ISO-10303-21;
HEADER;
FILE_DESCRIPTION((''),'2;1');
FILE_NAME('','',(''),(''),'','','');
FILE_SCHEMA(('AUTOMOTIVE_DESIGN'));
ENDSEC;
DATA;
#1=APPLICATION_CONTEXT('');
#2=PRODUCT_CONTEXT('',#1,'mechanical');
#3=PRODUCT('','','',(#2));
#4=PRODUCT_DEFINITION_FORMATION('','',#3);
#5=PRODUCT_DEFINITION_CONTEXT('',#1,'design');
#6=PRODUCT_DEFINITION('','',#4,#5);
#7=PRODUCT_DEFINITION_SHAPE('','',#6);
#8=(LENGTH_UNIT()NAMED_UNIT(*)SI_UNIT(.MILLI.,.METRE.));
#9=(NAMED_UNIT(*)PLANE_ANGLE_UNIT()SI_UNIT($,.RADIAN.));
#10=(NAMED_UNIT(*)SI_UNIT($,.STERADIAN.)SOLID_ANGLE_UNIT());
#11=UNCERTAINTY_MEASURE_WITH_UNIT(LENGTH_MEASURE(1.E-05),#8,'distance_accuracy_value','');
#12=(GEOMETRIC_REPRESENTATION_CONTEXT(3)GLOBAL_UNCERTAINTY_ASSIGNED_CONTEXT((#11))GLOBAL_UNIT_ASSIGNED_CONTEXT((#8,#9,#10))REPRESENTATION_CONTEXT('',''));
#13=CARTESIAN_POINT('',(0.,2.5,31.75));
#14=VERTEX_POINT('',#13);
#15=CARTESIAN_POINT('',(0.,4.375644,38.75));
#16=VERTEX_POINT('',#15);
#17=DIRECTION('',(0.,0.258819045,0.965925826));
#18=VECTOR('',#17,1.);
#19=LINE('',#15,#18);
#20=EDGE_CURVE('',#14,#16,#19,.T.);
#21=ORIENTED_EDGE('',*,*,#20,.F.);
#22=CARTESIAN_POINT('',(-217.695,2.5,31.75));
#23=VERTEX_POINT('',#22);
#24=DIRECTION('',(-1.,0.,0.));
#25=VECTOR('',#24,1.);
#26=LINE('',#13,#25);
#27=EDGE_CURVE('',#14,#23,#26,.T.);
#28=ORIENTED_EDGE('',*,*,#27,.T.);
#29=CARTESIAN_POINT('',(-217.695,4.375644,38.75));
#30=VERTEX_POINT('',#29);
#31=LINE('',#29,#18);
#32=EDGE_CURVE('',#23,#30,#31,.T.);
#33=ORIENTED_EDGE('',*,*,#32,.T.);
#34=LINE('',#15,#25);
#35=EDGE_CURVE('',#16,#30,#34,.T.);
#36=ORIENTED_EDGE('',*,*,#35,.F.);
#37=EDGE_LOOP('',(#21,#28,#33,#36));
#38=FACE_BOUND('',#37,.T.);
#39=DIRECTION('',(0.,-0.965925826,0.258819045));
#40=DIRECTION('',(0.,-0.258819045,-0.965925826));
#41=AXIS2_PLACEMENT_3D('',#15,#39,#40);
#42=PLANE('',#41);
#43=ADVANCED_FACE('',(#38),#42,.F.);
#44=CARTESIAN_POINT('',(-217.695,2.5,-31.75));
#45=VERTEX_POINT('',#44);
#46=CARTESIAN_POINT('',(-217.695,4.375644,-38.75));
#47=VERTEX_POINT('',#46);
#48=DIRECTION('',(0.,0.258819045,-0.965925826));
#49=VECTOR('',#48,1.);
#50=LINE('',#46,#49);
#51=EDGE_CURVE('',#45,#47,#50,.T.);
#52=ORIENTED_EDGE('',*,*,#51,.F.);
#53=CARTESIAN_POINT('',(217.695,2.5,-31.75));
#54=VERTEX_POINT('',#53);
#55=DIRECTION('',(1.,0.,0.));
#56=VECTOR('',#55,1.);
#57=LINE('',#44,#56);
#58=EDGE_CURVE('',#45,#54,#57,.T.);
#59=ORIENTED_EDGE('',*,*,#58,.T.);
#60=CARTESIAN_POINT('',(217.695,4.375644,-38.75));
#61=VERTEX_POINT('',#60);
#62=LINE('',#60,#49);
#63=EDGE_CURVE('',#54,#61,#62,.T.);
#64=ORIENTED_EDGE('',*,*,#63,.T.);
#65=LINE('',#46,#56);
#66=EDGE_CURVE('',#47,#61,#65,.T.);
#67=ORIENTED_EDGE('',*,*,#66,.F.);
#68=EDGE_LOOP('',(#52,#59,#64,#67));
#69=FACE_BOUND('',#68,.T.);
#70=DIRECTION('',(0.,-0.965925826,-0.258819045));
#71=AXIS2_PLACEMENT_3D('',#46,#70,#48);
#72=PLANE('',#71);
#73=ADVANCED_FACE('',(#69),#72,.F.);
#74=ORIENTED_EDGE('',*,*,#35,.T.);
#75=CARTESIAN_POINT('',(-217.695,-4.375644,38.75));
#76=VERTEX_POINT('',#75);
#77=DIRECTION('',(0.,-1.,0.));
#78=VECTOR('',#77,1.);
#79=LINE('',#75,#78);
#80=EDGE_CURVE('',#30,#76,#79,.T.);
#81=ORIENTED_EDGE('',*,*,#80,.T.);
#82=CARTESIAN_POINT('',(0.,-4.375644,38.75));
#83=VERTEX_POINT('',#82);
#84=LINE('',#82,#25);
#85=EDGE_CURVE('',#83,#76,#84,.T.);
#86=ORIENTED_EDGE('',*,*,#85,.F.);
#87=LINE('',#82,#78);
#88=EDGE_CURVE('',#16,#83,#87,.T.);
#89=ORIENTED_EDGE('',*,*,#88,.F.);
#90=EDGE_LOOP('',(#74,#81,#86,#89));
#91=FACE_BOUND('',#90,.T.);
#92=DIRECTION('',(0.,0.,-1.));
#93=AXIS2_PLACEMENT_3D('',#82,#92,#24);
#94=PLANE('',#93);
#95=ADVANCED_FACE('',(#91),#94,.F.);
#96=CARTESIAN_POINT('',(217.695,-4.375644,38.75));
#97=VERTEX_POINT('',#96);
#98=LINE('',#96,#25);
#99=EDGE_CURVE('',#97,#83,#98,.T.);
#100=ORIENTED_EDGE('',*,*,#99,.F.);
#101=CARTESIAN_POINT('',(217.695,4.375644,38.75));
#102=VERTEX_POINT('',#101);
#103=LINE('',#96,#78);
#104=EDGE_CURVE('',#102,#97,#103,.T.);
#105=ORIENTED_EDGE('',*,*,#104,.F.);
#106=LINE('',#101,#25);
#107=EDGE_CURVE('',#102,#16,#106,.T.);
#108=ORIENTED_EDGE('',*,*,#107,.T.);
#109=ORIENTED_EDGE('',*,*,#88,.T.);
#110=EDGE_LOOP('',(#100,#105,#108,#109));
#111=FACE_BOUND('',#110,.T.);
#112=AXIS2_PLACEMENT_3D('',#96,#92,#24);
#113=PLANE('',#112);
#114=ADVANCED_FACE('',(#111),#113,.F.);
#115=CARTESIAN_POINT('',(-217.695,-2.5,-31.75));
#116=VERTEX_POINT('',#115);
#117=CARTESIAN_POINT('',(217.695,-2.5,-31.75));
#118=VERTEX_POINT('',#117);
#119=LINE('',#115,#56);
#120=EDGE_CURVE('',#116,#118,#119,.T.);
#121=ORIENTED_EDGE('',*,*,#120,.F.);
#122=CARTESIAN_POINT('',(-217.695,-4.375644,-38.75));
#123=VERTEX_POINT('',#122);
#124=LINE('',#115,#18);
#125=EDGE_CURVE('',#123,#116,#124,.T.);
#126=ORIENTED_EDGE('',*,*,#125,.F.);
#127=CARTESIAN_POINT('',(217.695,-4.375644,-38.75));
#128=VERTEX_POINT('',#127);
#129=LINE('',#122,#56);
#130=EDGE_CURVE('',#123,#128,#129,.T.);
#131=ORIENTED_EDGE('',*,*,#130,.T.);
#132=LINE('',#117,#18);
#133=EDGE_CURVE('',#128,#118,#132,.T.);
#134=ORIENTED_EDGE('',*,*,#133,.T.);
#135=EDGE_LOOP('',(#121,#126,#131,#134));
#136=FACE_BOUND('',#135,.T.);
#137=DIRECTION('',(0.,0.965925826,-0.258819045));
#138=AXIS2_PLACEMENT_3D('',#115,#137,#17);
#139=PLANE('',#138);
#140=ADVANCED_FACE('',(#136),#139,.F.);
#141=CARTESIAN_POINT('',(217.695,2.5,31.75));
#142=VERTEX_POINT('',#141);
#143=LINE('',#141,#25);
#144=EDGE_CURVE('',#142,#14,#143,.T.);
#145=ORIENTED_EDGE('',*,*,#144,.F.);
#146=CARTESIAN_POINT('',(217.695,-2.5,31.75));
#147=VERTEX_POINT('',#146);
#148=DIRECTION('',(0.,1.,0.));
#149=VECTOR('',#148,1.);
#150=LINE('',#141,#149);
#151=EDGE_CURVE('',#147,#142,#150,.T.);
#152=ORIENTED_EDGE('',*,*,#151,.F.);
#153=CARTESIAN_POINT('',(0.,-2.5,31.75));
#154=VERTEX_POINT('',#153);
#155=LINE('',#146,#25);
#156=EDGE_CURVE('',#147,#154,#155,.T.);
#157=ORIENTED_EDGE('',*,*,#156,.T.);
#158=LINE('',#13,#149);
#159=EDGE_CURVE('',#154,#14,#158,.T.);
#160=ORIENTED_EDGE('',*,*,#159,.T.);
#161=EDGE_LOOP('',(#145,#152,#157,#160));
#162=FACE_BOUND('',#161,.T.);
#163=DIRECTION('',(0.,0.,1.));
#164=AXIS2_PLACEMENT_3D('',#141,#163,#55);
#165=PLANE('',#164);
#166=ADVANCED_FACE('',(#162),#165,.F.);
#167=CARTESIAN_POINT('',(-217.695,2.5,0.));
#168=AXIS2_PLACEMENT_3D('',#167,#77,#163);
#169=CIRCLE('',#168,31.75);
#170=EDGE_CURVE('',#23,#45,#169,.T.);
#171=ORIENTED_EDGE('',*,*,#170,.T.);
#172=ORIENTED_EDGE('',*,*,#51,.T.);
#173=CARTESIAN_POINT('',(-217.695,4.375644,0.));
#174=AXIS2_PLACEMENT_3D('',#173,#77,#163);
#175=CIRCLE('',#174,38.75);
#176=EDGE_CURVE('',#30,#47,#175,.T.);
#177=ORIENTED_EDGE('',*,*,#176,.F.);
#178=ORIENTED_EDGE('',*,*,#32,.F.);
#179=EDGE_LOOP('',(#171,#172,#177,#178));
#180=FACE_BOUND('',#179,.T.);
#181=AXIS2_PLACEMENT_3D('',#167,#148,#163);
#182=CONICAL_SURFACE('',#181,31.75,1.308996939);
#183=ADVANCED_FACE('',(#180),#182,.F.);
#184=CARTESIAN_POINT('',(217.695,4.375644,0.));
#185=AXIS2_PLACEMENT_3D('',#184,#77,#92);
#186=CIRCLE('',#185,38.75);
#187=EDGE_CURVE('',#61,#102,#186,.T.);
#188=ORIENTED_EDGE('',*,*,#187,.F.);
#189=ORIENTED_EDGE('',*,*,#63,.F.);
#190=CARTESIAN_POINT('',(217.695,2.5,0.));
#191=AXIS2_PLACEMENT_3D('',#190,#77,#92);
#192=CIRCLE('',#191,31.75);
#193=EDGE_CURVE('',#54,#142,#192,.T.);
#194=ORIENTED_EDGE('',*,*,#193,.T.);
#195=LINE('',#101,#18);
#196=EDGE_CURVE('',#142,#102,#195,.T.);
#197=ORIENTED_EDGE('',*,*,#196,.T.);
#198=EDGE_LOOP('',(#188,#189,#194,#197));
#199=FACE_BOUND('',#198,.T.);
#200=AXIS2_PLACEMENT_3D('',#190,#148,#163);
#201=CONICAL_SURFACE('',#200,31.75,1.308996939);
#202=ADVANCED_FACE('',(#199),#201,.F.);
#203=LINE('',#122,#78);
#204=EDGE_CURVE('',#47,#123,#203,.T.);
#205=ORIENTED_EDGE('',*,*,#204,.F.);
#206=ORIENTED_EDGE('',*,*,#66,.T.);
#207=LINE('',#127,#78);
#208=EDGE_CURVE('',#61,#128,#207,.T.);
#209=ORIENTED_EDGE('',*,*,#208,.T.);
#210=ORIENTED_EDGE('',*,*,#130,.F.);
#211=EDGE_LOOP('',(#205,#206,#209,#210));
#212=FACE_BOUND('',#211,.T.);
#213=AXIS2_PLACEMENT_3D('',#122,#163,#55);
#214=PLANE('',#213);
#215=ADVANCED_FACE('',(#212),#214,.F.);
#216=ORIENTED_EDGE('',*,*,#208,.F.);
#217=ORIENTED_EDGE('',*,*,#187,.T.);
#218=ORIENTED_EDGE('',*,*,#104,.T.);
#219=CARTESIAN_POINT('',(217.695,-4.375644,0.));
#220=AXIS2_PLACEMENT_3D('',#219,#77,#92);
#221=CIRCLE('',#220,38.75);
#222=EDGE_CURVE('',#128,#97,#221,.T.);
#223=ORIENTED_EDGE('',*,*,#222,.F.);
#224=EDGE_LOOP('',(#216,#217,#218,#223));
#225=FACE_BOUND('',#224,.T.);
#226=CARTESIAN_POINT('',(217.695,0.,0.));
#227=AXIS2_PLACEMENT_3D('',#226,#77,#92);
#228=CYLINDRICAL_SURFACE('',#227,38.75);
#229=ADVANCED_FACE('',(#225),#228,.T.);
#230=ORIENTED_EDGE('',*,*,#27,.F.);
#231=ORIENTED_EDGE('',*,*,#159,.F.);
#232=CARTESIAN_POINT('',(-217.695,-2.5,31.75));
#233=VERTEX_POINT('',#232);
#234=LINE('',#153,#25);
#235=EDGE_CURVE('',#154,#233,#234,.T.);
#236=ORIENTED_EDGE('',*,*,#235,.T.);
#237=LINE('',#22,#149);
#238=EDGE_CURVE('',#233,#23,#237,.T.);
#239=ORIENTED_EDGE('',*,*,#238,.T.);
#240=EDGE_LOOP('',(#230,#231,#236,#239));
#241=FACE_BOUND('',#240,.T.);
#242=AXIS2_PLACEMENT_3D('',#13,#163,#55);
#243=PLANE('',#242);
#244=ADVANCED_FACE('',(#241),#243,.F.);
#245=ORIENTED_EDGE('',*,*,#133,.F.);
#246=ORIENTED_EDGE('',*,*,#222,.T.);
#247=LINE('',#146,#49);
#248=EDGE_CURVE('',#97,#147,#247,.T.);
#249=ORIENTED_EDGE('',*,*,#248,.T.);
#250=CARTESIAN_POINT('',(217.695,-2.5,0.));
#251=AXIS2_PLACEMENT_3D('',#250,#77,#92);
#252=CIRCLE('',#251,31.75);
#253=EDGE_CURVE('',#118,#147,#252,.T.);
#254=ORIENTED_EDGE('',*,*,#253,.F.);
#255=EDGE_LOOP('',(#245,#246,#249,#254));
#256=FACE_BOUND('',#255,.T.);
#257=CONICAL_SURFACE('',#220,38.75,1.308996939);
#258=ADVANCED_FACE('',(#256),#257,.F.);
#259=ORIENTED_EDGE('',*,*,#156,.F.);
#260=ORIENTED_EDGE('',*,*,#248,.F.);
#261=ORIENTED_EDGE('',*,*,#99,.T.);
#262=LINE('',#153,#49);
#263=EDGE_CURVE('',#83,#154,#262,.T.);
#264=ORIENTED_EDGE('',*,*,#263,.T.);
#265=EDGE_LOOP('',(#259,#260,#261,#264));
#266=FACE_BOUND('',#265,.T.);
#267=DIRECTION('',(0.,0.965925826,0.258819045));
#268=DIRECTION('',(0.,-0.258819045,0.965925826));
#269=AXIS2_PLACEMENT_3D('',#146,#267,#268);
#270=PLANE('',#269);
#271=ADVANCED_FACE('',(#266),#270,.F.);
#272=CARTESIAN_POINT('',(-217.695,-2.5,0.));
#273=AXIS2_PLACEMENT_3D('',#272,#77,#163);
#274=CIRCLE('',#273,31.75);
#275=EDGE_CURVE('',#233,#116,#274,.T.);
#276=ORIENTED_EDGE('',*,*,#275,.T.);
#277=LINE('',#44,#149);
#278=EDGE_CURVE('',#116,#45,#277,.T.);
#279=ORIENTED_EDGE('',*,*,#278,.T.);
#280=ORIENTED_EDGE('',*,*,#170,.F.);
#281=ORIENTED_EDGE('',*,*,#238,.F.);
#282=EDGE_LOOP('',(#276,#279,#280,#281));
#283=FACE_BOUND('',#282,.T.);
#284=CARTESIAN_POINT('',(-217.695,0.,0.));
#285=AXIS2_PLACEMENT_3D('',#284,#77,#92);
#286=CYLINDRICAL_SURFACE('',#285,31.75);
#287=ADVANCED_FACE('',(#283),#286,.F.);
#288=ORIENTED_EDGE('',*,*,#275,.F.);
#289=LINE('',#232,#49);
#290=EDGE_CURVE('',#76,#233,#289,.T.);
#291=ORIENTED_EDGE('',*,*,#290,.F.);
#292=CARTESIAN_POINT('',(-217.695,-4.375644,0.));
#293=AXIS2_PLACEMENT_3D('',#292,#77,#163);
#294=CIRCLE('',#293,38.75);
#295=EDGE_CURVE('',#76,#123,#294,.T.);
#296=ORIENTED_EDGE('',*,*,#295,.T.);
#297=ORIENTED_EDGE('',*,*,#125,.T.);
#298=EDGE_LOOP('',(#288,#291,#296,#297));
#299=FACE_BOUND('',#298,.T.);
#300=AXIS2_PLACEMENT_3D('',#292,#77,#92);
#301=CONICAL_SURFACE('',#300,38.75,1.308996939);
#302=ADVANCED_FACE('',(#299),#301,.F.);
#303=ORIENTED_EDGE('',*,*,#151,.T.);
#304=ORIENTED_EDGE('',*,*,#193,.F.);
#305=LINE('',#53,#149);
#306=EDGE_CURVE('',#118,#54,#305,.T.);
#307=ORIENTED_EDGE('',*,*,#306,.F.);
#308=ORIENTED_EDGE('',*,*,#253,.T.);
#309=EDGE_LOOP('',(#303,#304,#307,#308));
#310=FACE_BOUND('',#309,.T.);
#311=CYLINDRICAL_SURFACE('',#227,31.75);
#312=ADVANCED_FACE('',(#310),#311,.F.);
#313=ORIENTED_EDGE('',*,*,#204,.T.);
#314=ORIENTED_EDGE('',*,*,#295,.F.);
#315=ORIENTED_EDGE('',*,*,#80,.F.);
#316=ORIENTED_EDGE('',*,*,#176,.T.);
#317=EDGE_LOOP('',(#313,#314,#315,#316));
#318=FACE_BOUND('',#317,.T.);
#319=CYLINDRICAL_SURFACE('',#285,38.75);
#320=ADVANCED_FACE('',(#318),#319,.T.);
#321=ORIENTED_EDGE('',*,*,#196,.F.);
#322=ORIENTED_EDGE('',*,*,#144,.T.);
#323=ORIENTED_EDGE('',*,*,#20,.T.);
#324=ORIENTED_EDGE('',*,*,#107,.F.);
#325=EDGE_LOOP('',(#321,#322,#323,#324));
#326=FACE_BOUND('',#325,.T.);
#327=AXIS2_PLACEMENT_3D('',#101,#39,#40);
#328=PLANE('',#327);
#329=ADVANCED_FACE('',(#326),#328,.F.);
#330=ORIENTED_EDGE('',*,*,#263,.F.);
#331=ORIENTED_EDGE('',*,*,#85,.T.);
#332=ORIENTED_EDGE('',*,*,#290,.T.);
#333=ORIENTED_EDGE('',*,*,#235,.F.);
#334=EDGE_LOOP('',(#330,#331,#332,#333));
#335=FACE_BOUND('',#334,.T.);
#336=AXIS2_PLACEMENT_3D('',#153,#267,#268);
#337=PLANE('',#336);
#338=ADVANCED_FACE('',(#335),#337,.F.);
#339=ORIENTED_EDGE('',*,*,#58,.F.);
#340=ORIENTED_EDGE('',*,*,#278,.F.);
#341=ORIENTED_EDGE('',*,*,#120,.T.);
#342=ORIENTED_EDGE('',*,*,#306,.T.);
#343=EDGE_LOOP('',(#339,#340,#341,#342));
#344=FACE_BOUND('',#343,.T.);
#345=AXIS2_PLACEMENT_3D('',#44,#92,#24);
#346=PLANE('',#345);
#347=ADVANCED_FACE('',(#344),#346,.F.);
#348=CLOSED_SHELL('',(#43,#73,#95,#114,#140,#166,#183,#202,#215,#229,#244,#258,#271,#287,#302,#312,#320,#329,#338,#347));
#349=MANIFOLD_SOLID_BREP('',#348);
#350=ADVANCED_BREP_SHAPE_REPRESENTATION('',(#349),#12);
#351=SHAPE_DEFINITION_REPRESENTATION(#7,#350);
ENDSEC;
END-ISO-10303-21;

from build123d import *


with BuildPart() as part:
    # Sweep1: sweep along a path in Sketch1
    with BuildLine(Plane(origin=(0, 0, 0), x_dir=(1, 0, 0), z_dir=(0, 1, 0))) as sweep1_path:
        Line((-217.695, 31.75), (217.695, 31.75))
        ThreePointArc((217.695, 31.75), (249.445, 0), (217.695, -31.75))
        Line((217.695, -31.75), (-217.695, -31.75))
        ThreePointArc((-217.695, -31.75), (-249.445, 0), (-217.695, 31.75))
    # Sketch2 → Sweep1 (sweep)
    with BuildSketch(Plane(origin=(0, 0, 0), x_dir=(0, 0, -1), z_dir=(1, 0, 0))):
        Polygon((-38.75, 4.375644347), (-31.75, 2.5), (-31.75, -2.5), (-38.75, -4.375644347), align=None)
    sweep(path=sweep1_path.line)


solid = part.part
